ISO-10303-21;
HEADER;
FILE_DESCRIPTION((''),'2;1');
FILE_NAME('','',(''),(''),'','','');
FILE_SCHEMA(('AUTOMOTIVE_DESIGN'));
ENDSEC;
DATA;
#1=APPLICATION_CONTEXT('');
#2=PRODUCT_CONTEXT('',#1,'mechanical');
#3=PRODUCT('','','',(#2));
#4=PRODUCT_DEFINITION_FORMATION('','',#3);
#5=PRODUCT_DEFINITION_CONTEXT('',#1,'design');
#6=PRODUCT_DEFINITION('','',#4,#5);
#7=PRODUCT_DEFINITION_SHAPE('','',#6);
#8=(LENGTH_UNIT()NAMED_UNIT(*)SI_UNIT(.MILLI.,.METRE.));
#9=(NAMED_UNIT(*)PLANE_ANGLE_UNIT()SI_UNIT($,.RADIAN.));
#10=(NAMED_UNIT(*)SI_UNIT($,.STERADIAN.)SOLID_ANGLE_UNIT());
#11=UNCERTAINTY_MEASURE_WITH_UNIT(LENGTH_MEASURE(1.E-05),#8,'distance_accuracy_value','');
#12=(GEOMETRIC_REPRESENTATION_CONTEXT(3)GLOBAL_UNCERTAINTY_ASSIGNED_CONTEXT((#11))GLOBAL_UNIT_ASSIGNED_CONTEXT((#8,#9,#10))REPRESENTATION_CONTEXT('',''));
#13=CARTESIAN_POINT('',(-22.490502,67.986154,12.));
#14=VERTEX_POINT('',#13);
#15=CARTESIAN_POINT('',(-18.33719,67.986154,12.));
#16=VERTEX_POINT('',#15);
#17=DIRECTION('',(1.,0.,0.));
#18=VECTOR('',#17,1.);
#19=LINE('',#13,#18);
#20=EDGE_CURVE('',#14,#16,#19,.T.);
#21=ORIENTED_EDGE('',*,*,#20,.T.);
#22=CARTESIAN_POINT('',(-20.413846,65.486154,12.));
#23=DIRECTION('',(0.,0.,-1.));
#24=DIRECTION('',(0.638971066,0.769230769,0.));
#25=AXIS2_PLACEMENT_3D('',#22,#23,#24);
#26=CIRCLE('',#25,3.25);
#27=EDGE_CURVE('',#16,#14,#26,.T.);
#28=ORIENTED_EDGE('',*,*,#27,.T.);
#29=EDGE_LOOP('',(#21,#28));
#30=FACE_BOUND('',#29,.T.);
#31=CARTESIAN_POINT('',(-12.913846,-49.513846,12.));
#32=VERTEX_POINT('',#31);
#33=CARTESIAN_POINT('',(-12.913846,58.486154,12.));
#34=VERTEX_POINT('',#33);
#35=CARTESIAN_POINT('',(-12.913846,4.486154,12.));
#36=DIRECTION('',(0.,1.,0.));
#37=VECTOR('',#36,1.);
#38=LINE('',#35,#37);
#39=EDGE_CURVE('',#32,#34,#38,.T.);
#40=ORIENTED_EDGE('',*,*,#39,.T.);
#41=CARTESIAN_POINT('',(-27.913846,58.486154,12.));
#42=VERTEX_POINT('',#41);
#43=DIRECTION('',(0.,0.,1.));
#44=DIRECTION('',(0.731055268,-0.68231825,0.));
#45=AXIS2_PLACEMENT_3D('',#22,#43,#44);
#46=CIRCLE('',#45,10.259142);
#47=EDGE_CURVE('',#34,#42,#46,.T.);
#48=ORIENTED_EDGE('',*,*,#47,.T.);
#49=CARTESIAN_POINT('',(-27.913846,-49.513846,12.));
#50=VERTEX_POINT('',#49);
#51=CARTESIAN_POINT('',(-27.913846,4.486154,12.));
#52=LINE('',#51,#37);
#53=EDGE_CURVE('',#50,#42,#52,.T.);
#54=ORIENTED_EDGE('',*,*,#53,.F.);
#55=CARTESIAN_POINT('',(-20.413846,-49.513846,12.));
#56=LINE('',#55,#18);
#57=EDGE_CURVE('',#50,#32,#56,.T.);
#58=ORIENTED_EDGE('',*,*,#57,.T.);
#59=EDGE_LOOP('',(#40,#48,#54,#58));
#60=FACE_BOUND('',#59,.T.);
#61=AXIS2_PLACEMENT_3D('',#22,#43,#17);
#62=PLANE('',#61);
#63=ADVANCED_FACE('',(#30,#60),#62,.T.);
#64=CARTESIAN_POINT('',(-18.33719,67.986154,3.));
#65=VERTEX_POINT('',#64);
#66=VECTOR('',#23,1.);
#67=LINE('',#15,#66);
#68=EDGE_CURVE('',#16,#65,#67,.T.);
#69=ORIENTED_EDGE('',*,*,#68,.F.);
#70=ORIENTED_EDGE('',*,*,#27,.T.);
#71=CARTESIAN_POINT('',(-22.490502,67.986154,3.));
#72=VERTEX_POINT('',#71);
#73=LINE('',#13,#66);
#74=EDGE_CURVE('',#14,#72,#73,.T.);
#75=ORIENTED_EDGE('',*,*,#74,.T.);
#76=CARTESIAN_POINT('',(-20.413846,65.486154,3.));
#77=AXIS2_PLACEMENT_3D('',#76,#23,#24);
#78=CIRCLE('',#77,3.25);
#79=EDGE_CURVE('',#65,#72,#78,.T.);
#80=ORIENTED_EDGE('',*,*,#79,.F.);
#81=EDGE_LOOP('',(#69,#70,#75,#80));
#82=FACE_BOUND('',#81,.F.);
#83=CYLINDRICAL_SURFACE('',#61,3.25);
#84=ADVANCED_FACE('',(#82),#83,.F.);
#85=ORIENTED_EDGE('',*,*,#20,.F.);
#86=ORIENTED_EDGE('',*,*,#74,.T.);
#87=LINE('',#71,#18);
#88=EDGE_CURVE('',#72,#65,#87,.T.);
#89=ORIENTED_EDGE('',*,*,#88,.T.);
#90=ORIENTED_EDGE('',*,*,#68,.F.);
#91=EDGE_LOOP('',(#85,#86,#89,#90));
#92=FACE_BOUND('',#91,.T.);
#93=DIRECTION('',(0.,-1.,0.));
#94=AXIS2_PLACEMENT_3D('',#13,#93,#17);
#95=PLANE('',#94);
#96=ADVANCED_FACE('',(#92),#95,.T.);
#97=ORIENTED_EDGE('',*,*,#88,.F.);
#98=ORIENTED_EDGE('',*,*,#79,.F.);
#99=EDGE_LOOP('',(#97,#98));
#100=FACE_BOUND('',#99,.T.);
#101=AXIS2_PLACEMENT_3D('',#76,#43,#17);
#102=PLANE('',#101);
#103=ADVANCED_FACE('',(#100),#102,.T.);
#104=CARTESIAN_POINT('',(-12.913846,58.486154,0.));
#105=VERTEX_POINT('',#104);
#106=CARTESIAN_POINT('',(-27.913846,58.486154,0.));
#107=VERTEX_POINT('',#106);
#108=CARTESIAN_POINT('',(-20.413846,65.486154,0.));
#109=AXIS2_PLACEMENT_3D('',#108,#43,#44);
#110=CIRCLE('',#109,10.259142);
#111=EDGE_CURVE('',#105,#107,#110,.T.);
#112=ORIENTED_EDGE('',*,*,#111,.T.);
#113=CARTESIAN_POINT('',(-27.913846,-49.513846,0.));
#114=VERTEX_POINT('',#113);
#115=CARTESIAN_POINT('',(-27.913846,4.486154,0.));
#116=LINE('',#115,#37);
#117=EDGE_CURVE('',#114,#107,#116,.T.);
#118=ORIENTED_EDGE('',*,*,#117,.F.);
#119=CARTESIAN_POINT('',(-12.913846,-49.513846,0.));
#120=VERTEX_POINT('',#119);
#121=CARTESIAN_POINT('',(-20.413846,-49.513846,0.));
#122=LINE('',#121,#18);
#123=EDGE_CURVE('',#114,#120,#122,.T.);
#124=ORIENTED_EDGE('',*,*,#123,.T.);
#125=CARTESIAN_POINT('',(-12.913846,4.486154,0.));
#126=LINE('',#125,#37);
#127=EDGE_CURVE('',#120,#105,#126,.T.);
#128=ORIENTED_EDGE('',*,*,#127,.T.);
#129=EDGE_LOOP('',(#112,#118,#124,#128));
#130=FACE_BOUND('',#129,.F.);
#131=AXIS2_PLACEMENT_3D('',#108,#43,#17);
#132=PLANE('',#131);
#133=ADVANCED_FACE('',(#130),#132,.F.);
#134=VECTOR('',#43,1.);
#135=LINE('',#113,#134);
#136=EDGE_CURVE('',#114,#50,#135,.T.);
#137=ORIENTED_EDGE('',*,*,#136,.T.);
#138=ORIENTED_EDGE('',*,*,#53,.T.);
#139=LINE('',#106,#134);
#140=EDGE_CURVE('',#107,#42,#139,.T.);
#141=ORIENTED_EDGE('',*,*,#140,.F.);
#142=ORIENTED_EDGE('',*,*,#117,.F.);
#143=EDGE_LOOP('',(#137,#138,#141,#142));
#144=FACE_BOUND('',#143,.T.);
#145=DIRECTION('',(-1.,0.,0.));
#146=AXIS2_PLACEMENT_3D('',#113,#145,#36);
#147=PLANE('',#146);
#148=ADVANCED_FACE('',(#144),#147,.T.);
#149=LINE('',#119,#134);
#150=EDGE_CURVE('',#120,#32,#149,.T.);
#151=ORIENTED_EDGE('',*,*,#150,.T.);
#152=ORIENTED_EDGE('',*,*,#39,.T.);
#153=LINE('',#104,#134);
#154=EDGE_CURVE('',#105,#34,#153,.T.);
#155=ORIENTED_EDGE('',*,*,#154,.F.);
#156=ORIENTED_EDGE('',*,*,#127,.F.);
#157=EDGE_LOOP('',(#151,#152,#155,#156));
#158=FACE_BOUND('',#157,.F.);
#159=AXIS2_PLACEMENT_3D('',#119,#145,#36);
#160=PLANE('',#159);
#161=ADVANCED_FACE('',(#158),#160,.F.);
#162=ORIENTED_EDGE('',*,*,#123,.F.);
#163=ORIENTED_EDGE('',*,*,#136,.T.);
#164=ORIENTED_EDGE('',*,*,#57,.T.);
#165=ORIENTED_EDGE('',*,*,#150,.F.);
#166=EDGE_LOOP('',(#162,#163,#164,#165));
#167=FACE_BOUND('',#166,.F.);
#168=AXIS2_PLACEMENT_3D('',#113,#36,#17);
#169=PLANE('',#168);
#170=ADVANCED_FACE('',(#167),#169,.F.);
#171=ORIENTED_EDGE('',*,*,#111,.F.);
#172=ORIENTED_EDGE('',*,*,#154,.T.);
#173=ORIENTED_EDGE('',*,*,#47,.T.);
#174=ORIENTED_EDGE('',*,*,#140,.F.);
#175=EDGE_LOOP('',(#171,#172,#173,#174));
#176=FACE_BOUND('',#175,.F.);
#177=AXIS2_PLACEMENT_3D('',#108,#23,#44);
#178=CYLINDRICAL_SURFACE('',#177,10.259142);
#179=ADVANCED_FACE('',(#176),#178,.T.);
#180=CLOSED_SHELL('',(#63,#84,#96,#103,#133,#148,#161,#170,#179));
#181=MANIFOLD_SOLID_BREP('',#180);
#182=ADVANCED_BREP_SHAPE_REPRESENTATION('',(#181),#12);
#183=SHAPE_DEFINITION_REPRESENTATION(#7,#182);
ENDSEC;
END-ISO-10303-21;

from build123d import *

# Parameters (mm, degrees)
SKETCH1_R           = 10.259142264
SKETCH1_W           = 15
SKETCH1_H           = 108
BOSS_EXTRUDE1_DEPTH = 12
SKETCH2_R           = 3.25
CUT_EXTRUDE1_DEPTH  = 9
BOSS_EXTRUDE2_DEPTH = 9


with BuildPart() as part:
    # Sketch1 → Boss-Extrude1 (new body)
    with BuildSketch(Plane.XY):
        with Locations((-20.413846154, 65.486153846)):
            Circle(SKETCH1_R)
        with Locations((-20.413846154, 4.486153846)):
            Rectangle(SKETCH1_W, SKETCH1_H)
    extrude(amount=BOSS_EXTRUDE1_DEPTH)

    # Sketch2 → Cut-Extrude1 (cut)
    with BuildSketch(Plane.XY.offset(12)):
        with Locations((-20.413846154, 65.486153846)):
            Circle(SKETCH2_R)
    extrude(amount=-CUT_EXTRUDE1_DEPTH, mode=Mode.SUBTRACT)

    # Sketch3 → Boss-Extrude2 (add)
    with BuildSketch(Plane.XY.offset(12)):
        with BuildLine():
            Line((-22.49050212, 67.986153846), (-18.337190188, 67.986153846))
            ThreePointArc((-18.337190188, 67.986153846), (-20.413846154, 68.736153846), (-22.49050212, 67.986153846))
        make_face()
    extrude(amount=-BOSS_EXTRUDE2_DEPTH)


solid = part.part
